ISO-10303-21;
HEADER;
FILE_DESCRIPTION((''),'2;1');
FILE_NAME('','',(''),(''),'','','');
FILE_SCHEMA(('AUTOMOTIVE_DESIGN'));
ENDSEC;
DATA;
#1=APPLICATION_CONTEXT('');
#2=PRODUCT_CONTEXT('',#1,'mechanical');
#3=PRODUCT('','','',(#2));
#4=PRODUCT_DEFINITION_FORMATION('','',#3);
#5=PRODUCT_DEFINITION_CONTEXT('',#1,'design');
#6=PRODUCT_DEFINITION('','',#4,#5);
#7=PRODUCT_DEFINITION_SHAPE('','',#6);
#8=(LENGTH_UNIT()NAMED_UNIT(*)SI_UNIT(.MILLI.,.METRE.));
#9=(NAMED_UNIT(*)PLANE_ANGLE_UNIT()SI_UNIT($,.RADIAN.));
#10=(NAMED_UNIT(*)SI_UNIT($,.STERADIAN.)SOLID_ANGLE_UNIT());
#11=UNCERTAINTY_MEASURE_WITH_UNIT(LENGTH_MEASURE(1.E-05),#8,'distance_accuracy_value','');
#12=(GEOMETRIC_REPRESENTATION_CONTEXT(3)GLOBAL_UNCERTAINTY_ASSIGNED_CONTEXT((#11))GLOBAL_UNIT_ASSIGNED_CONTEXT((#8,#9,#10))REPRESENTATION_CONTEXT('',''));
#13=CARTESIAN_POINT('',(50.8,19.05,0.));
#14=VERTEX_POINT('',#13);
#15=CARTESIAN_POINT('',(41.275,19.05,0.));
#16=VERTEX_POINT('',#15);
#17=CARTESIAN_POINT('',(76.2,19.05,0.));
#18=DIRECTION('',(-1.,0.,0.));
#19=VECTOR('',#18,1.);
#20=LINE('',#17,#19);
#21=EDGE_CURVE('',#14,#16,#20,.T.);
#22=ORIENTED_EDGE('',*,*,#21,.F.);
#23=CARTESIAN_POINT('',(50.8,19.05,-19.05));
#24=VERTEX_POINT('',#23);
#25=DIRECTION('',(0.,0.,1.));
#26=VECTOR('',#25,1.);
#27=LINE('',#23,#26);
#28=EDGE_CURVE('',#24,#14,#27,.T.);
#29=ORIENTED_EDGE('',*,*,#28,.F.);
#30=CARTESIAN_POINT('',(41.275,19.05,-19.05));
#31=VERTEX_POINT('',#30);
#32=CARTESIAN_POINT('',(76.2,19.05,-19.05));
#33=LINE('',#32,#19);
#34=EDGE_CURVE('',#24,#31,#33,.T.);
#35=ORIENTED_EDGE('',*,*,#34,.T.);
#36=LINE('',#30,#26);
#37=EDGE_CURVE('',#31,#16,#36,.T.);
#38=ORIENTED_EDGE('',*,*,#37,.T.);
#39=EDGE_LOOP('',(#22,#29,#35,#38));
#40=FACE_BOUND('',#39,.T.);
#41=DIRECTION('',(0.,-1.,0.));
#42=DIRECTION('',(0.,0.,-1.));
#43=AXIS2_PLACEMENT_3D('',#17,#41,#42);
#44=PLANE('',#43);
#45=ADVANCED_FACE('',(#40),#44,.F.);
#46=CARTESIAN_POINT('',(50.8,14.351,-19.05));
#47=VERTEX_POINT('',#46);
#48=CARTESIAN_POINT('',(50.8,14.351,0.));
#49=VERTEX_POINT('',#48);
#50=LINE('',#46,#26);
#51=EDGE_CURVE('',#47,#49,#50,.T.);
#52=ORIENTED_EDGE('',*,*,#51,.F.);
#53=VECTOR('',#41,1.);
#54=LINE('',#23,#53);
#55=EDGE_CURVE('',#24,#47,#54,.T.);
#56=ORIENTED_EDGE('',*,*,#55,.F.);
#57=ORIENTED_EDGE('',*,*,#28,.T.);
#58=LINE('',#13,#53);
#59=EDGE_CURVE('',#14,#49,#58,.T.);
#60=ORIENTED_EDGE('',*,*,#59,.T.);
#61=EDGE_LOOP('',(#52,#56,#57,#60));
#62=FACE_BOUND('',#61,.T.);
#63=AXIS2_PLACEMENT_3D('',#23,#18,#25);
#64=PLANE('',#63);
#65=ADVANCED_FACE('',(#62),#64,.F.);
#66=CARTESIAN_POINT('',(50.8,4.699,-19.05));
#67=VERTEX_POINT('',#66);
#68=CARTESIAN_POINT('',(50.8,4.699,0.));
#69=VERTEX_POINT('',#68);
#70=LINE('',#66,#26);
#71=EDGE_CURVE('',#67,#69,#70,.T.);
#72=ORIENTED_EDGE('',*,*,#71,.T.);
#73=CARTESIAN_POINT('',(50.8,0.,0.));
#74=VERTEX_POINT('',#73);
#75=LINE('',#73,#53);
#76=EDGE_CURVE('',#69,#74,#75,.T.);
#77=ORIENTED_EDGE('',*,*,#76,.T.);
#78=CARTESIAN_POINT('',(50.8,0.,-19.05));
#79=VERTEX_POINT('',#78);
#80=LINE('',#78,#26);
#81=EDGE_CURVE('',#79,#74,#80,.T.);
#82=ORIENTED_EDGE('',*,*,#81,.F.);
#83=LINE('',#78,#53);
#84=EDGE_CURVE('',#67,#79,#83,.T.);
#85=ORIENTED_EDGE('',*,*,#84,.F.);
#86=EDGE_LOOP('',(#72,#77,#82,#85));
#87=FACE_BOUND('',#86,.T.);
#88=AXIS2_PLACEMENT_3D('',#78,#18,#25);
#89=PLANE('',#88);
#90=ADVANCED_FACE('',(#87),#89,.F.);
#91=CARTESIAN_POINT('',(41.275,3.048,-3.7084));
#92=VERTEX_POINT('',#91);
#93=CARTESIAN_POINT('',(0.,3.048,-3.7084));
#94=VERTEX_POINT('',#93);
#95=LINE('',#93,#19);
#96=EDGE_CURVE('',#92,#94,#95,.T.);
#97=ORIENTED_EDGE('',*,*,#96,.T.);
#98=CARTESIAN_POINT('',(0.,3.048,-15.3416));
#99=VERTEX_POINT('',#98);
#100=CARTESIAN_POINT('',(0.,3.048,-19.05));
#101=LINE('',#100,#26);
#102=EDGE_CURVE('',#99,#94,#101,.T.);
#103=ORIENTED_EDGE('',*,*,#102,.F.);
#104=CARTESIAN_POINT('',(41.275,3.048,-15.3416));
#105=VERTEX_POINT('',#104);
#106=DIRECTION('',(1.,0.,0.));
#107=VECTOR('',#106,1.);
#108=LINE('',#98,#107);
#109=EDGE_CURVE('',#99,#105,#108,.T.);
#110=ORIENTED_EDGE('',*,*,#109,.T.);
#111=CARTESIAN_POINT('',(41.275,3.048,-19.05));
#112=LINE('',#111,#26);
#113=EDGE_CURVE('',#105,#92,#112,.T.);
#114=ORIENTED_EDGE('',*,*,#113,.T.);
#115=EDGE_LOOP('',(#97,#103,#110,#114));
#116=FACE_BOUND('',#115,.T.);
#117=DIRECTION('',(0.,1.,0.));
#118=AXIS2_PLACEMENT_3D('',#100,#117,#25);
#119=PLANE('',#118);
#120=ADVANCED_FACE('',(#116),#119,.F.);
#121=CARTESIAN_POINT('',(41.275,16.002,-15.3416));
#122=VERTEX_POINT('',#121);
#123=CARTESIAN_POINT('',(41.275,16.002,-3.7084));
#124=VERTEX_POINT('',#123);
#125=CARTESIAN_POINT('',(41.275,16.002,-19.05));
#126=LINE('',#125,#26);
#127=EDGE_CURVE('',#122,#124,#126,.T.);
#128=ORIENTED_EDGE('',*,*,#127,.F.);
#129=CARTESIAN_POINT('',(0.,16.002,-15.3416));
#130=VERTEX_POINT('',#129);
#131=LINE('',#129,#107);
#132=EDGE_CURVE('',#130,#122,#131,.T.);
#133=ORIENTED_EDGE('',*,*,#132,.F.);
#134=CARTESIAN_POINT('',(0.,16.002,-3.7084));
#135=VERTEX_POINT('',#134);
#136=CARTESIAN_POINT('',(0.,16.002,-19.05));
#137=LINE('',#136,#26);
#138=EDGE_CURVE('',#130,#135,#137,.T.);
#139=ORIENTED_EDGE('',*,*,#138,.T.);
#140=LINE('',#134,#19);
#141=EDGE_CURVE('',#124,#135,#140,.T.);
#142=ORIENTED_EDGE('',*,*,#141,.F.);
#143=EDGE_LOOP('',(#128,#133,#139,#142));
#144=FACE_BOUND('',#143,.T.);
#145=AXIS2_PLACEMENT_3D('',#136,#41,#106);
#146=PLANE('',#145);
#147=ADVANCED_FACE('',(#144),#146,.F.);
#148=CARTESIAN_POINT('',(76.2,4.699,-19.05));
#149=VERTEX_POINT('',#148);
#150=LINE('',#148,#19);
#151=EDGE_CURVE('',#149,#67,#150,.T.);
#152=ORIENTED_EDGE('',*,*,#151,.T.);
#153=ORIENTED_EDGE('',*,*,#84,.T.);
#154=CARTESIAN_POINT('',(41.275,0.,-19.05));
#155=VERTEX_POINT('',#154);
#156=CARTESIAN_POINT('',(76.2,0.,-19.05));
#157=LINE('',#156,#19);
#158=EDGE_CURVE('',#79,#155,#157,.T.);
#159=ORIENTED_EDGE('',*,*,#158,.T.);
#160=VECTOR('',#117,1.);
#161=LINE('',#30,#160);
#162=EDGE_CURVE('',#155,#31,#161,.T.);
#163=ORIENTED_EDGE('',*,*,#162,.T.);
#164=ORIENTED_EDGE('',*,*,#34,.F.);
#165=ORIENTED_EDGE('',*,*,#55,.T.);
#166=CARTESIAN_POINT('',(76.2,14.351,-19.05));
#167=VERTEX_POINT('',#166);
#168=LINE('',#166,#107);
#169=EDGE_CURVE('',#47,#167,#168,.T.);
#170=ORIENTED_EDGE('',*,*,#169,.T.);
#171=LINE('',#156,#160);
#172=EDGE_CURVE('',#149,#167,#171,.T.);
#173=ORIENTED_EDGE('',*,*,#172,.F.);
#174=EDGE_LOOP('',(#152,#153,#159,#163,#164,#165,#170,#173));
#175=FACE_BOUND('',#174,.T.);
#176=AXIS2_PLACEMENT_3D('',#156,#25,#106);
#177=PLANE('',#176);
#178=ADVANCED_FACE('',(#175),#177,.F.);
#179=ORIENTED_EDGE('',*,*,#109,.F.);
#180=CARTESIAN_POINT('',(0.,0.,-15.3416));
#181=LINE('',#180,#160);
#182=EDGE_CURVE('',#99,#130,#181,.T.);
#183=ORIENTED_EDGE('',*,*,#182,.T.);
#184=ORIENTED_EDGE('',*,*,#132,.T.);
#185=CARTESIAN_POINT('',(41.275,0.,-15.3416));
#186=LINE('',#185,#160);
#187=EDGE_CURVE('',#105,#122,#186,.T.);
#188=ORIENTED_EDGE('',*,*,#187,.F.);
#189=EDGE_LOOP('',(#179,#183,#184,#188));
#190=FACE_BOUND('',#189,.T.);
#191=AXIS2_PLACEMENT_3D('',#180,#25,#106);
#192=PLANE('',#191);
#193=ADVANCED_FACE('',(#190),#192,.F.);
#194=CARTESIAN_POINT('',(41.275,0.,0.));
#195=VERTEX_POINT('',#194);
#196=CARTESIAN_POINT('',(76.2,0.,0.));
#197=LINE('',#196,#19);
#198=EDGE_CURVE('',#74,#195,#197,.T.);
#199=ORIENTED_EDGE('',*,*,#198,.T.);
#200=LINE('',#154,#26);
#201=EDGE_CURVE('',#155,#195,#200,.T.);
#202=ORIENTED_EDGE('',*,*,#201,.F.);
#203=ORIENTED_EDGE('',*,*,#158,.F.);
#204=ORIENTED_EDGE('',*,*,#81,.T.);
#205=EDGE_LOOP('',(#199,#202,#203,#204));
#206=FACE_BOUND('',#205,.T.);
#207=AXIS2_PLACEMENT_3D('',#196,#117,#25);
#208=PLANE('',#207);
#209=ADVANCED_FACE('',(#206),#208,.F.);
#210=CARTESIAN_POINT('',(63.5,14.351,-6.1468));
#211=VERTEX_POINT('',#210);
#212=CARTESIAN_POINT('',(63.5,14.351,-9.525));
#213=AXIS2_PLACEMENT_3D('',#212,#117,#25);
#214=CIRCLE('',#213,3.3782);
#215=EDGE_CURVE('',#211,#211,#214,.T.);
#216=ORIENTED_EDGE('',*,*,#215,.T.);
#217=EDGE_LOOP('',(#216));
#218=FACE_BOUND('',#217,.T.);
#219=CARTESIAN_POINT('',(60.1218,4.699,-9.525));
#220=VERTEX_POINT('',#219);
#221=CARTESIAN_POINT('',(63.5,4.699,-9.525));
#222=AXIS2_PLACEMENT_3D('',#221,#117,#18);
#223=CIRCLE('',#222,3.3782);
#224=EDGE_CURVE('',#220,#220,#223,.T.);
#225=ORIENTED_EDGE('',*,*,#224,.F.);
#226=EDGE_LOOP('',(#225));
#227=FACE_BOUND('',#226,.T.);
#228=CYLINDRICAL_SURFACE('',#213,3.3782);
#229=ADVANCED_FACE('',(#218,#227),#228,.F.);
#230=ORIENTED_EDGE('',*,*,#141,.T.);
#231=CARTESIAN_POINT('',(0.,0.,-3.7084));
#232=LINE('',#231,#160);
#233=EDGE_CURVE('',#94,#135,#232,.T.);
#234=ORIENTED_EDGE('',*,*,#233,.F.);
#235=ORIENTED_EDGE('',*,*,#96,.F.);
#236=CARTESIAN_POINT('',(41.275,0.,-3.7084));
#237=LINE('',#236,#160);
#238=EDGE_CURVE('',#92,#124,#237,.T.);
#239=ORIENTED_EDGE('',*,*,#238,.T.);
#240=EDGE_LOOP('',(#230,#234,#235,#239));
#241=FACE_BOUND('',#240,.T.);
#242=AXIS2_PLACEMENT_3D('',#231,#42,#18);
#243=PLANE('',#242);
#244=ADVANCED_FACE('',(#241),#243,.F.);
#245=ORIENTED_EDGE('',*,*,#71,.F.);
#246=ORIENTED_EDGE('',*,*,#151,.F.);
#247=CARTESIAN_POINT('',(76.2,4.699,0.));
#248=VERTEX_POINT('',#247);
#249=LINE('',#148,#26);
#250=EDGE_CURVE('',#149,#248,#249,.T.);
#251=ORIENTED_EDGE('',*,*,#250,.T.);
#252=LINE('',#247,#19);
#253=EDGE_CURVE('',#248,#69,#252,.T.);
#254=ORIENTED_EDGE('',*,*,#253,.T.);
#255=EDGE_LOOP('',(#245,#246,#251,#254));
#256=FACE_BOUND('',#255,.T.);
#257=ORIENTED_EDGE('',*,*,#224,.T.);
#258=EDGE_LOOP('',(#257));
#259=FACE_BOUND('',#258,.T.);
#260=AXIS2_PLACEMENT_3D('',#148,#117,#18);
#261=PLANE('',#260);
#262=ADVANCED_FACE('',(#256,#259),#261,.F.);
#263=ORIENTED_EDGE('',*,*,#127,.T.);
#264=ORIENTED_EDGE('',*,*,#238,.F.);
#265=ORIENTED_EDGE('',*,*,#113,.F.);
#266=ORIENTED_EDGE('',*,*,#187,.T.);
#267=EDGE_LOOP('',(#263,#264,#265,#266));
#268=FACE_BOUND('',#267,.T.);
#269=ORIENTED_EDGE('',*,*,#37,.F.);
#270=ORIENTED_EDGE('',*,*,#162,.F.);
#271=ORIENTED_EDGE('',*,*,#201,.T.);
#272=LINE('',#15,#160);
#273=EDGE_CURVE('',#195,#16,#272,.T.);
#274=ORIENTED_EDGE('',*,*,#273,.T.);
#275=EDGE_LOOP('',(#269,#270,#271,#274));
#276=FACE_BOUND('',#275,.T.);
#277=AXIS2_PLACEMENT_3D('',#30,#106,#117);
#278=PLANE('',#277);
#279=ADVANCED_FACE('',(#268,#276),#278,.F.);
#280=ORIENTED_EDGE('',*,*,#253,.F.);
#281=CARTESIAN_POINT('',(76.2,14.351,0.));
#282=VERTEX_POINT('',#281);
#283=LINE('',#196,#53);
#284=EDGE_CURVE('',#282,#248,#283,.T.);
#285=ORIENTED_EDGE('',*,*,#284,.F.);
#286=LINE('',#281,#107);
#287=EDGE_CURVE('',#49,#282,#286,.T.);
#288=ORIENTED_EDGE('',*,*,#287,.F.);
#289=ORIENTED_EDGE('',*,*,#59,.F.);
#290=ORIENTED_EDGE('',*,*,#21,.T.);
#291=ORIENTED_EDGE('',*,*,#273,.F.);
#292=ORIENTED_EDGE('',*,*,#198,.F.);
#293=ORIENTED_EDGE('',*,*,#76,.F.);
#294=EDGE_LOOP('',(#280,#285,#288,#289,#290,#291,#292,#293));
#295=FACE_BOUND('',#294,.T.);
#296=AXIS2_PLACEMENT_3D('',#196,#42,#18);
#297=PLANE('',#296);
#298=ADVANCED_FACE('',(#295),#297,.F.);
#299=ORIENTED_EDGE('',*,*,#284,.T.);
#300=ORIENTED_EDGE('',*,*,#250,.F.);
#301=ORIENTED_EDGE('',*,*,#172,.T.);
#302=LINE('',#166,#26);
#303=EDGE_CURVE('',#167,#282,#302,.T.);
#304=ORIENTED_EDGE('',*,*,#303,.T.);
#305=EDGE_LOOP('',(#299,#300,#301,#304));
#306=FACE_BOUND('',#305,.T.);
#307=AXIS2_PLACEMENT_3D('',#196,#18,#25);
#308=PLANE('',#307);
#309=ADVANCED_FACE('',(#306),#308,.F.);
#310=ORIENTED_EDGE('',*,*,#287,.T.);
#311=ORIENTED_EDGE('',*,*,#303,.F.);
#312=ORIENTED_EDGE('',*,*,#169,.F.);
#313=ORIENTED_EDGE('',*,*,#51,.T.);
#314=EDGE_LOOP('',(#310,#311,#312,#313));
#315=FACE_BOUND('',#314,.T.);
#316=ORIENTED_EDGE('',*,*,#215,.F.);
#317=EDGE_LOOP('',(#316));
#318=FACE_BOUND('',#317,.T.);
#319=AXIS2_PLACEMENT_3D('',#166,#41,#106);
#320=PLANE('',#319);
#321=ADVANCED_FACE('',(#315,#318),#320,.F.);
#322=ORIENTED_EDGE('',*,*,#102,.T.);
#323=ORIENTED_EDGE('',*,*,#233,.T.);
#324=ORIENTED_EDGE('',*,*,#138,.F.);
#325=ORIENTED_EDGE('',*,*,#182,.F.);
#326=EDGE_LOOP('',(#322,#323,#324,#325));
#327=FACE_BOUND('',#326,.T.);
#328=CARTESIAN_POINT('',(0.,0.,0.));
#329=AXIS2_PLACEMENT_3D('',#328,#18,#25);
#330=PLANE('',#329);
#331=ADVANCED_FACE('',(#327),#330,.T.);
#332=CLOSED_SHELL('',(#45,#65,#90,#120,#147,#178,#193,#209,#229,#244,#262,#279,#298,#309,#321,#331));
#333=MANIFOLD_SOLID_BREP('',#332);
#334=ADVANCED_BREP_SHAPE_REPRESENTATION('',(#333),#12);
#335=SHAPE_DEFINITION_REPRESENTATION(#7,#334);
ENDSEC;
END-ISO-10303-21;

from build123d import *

# Parameters (mm, degrees)
SKETCH1_W               = 19.05
SKETCH1_H               = 19.05
BOSS_EXTRUDE1_DEPTH     = 76.2
SKETCH2_W               = 25.4
SKETCH2_H               = 4.699
CUT_EXTRUDE1_DEPTH      = 81.82230509
SKETCH3_W               = 41.275
SKETCH3_H               = 3.048
CUT_EXTRUDE2_DEPTH      = 81.82230509
SKETCH4_W               = 41.275
SKETCH4_H               = 3.7084
CUT_EXTRUDE3_DEPTH      = 81.158633372
F_1_4_CLEARANCE_HOLE1_D = 6.7564


with BuildPart() as part:
    # Sketch1 → Boss-Extrude1 (new body)
    with BuildSketch(Plane(origin=(0, 0, 0), x_dir=(0, 0, -1), z_dir=(1, 0, 0))):
        with Locations((9.525, 9.525)):
            Rectangle(SKETCH1_W, SKETCH1_H)
    extrude(amount=BOSS_EXTRUDE1_DEPTH)

    # Sketch2 → Cut-Extrude1 (cut, through all)
    with BuildSketch(Plane.XY):
        with Locations((63.5, 16.7005)):
            Rectangle(SKETCH2_W, SKETCH2_H)
        with Locations((63.5, 2.3495)):
            Rectangle(SKETCH2_W, SKETCH2_H)
    extrude(amount=-CUT_EXTRUDE1_DEPTH, mode=Mode.SUBTRACT)

    # Sketch3 → Cut-Extrude2 (cut, through all)
    with BuildSketch(Plane.XY):
        with Locations((20.6375, 17.526)):
            Rectangle(SKETCH3_W, SKETCH3_H)
        with Locations((20.6375, 1.524)):
            Rectangle(SKETCH3_W, SKETCH3_H)
    extrude(amount=-CUT_EXTRUDE2_DEPTH, mode=Mode.SUBTRACT)

    # Sketch4 → Cut-Extrude3 (cut, through all)
    with BuildSketch(Plane(origin=(0, 16.002, 0), x_dir=(1, 0, 0), z_dir=(0, 1, 0))):
        with Locations((20.6375, 17.1958)):
            Rectangle(SKETCH4_W, SKETCH4_H)
        with Locations((20.6375, 1.8542)):
            Rectangle(SKETCH4_W, SKETCH4_H)
    extrude(amount=-CUT_EXTRUDE3_DEPTH, mode=Mode.SUBTRACT)

    # 1/4 Clearance Hole1 (through all)
    with Locations(Plane(origin=(0, 14.351, 0), x_dir=(1, 0, 0), z_dir=(0, 1, 0))):
        with Locations((63.5, 9.525)):
            Hole(F_1_4_CLEARANCE_HOLE1_D / 2)


solid = part.part
